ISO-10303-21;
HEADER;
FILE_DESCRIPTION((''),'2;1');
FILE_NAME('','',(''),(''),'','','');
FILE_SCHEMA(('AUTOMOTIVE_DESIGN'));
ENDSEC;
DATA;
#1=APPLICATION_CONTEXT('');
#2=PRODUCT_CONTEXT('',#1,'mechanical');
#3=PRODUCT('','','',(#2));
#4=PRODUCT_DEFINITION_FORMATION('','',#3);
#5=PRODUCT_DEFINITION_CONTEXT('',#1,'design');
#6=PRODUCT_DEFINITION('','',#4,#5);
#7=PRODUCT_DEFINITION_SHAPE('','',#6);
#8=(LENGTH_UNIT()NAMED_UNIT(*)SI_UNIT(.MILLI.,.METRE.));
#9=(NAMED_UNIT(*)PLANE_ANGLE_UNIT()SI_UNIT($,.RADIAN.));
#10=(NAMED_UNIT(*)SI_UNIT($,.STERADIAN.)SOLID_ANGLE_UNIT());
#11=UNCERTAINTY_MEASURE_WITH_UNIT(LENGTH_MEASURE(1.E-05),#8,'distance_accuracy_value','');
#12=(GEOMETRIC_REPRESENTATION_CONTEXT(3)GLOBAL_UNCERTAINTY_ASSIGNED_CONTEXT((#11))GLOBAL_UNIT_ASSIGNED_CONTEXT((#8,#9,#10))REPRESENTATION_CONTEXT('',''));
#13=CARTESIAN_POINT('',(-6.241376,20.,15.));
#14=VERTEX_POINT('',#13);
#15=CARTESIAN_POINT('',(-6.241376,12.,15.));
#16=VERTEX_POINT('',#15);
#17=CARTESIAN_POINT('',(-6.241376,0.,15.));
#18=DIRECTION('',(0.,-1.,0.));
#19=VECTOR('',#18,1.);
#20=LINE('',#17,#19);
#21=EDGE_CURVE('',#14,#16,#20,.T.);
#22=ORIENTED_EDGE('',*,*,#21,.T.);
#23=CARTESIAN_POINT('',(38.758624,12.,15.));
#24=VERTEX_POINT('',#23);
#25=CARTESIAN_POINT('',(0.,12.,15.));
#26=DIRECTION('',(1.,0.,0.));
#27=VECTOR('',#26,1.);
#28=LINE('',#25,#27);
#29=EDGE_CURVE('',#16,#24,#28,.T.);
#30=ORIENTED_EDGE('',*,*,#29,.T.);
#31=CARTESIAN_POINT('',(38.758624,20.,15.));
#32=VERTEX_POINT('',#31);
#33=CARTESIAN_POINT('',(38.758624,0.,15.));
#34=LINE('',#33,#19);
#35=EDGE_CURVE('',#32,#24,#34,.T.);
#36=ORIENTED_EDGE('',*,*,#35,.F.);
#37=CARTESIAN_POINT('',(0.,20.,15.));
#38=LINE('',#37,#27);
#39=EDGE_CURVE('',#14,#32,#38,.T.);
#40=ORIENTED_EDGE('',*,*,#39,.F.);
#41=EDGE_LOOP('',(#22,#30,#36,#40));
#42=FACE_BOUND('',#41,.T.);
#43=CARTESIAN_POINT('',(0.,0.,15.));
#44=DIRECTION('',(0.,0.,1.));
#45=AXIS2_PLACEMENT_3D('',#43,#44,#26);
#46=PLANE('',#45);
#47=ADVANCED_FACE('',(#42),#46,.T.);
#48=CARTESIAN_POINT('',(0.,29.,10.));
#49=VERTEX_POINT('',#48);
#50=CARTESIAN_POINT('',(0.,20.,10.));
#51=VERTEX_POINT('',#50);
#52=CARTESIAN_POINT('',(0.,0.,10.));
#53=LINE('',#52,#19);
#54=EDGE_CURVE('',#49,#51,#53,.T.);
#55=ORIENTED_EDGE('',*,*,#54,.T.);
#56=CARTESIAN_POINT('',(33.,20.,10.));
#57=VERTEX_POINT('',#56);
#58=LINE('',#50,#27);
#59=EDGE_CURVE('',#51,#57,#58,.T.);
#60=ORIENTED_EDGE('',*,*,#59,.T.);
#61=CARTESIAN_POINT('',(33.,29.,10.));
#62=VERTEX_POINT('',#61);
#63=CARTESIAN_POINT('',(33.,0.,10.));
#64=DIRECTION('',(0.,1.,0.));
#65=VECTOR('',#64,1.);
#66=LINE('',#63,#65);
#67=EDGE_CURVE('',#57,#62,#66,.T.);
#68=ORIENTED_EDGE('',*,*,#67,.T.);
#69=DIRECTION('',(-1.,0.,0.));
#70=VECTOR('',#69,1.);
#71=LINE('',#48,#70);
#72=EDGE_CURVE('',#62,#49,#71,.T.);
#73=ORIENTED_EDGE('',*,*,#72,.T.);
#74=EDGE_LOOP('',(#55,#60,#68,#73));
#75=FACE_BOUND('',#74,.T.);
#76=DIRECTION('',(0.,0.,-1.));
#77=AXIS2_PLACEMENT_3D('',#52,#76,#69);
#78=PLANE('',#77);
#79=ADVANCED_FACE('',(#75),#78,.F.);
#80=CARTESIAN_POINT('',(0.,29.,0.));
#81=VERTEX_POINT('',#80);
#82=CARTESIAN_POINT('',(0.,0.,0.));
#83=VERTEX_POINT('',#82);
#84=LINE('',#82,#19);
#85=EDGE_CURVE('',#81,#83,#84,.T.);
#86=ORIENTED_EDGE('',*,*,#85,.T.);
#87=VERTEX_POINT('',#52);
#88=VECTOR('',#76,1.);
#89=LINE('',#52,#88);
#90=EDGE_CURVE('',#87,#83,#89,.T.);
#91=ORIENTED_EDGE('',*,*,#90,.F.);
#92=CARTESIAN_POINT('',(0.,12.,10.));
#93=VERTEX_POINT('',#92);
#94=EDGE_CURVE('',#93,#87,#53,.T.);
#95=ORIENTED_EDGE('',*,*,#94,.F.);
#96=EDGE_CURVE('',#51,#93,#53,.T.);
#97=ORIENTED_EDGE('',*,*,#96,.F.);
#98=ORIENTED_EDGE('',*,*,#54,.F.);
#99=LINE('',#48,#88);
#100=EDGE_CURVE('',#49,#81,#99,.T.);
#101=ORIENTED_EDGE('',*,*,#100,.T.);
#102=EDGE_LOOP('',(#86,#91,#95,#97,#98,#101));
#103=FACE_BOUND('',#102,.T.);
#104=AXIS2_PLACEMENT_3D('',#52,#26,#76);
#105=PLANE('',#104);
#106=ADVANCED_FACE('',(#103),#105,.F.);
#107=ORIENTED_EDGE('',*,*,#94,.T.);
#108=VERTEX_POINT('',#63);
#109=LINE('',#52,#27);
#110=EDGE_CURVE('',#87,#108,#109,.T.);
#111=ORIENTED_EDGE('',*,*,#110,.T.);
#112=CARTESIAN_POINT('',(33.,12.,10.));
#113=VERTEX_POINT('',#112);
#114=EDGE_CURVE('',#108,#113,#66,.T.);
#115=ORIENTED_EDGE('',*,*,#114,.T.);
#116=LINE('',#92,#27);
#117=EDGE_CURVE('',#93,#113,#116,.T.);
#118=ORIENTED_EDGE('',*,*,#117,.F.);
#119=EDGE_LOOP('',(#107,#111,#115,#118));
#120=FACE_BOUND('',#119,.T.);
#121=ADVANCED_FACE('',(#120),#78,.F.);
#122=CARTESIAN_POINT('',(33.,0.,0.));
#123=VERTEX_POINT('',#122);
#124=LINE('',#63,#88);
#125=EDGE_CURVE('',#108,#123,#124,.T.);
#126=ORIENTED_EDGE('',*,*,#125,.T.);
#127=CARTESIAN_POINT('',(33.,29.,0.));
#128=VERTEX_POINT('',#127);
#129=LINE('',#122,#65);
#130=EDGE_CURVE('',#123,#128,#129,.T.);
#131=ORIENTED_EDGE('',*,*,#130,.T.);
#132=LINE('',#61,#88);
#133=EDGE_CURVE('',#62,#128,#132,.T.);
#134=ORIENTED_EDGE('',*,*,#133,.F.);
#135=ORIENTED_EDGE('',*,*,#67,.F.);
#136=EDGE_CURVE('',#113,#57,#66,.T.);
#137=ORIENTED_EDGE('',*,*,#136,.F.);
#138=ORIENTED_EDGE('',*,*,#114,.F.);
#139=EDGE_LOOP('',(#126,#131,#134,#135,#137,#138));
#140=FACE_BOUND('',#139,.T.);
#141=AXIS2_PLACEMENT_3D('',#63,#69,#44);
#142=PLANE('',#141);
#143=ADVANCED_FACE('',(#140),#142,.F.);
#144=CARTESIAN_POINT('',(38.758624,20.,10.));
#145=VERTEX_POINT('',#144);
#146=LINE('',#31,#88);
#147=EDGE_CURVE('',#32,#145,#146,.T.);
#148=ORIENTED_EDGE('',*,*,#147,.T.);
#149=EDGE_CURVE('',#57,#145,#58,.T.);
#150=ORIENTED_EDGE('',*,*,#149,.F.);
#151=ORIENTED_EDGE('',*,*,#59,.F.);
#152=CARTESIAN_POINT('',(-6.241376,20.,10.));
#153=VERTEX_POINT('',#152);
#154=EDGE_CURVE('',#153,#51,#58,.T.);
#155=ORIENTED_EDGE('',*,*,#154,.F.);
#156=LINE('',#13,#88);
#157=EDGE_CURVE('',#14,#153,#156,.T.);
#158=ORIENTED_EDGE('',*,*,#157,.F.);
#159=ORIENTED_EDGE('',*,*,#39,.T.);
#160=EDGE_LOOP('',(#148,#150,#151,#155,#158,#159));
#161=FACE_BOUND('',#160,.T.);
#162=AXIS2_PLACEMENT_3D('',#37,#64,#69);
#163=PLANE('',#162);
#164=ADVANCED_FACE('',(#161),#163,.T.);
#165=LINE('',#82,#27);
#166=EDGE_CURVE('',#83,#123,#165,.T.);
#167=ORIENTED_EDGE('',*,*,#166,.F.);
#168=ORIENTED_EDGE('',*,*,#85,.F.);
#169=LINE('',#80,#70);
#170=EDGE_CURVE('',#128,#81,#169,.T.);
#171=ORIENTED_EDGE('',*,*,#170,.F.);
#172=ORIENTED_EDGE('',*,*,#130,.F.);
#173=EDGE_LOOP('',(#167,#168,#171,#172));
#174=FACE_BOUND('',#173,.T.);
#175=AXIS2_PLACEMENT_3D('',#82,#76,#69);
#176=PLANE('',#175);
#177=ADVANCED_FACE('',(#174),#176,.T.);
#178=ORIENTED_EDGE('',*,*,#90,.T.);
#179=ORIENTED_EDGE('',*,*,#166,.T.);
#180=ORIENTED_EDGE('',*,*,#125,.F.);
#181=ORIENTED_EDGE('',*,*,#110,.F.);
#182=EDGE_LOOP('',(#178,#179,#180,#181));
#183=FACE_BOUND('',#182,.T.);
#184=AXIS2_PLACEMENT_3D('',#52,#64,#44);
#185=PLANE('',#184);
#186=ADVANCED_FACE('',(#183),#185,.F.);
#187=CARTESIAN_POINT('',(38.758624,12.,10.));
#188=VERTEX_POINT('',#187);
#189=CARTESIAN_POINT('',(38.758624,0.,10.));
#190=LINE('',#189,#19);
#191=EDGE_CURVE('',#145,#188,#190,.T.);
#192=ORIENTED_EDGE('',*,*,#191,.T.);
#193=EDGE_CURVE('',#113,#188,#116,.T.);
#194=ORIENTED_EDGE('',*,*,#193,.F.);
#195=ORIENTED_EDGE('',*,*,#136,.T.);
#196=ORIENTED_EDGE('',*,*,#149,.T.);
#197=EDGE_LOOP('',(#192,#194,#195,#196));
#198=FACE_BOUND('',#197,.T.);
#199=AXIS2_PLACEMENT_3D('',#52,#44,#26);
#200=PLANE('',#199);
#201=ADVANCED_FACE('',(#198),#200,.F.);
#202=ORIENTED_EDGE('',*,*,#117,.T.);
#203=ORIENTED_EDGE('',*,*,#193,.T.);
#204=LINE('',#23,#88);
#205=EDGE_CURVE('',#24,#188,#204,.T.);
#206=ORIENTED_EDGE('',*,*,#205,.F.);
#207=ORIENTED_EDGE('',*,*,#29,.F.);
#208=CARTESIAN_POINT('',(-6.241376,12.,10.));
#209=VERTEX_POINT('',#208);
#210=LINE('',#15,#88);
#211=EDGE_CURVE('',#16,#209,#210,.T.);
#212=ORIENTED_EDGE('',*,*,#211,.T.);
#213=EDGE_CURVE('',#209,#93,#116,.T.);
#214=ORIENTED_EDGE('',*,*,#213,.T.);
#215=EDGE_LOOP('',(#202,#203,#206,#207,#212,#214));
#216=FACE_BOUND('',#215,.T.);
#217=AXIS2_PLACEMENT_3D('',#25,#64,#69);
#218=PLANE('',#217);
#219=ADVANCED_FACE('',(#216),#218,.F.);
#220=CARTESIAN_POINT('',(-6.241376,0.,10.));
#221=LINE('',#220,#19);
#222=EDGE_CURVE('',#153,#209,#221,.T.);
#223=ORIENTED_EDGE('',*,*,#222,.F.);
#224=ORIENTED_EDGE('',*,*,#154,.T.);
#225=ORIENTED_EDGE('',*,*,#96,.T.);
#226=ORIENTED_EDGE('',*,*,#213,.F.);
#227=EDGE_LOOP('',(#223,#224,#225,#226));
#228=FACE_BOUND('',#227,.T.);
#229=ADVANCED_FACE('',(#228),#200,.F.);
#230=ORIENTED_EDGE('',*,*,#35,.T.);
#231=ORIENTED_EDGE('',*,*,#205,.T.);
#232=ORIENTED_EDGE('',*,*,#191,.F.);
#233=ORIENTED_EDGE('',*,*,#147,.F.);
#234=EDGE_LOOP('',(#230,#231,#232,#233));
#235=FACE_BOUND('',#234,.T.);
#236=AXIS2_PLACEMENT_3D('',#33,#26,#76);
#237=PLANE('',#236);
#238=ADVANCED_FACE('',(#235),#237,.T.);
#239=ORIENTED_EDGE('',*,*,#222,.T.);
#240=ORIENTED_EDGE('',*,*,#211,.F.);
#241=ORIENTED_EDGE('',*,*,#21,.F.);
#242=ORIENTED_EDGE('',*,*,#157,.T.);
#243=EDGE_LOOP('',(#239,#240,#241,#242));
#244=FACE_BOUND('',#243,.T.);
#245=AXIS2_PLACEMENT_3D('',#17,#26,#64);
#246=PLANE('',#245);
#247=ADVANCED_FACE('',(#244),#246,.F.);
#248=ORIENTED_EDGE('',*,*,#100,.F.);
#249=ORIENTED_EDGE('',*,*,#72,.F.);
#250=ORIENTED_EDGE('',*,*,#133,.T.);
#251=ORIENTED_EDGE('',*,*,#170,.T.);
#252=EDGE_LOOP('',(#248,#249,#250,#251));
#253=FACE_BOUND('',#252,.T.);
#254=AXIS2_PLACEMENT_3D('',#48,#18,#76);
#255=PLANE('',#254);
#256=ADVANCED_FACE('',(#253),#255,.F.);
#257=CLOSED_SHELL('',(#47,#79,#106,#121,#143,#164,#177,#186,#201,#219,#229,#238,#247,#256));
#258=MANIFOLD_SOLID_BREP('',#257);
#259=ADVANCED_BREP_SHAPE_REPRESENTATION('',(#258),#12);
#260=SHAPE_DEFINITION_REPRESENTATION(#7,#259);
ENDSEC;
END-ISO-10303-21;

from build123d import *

# Parameters (mm, degrees)
SKETCH3_W           = 33
SKETCH3_H           = 29
BOSS_EXTRUDE1_DEPTH = 10
SKETCH4_W           = 45
SKETCH4_H           = 8
BOSS_EXTRUDE3_DEPTH = 5


with BuildPart() as part:
    # Sketch3 → Boss-Extrude1 (new body)
    with BuildSketch(Plane.XY):
        with Locations((16.5, 14.5)):
            Rectangle(SKETCH3_W, SKETCH3_H)
    extrude(amount=BOSS_EXTRUDE1_DEPTH)

    # Sketch4 → Boss-Extrude3 (add)
    with BuildSketch(Plane.XY.offset(10)):
        with Locations((16.258624128, 16)):
            Rectangle(SKETCH4_W, SKETCH4_H)
    extrude(amount=BOSS_EXTRUDE3_DEPTH)


solid = part.part
